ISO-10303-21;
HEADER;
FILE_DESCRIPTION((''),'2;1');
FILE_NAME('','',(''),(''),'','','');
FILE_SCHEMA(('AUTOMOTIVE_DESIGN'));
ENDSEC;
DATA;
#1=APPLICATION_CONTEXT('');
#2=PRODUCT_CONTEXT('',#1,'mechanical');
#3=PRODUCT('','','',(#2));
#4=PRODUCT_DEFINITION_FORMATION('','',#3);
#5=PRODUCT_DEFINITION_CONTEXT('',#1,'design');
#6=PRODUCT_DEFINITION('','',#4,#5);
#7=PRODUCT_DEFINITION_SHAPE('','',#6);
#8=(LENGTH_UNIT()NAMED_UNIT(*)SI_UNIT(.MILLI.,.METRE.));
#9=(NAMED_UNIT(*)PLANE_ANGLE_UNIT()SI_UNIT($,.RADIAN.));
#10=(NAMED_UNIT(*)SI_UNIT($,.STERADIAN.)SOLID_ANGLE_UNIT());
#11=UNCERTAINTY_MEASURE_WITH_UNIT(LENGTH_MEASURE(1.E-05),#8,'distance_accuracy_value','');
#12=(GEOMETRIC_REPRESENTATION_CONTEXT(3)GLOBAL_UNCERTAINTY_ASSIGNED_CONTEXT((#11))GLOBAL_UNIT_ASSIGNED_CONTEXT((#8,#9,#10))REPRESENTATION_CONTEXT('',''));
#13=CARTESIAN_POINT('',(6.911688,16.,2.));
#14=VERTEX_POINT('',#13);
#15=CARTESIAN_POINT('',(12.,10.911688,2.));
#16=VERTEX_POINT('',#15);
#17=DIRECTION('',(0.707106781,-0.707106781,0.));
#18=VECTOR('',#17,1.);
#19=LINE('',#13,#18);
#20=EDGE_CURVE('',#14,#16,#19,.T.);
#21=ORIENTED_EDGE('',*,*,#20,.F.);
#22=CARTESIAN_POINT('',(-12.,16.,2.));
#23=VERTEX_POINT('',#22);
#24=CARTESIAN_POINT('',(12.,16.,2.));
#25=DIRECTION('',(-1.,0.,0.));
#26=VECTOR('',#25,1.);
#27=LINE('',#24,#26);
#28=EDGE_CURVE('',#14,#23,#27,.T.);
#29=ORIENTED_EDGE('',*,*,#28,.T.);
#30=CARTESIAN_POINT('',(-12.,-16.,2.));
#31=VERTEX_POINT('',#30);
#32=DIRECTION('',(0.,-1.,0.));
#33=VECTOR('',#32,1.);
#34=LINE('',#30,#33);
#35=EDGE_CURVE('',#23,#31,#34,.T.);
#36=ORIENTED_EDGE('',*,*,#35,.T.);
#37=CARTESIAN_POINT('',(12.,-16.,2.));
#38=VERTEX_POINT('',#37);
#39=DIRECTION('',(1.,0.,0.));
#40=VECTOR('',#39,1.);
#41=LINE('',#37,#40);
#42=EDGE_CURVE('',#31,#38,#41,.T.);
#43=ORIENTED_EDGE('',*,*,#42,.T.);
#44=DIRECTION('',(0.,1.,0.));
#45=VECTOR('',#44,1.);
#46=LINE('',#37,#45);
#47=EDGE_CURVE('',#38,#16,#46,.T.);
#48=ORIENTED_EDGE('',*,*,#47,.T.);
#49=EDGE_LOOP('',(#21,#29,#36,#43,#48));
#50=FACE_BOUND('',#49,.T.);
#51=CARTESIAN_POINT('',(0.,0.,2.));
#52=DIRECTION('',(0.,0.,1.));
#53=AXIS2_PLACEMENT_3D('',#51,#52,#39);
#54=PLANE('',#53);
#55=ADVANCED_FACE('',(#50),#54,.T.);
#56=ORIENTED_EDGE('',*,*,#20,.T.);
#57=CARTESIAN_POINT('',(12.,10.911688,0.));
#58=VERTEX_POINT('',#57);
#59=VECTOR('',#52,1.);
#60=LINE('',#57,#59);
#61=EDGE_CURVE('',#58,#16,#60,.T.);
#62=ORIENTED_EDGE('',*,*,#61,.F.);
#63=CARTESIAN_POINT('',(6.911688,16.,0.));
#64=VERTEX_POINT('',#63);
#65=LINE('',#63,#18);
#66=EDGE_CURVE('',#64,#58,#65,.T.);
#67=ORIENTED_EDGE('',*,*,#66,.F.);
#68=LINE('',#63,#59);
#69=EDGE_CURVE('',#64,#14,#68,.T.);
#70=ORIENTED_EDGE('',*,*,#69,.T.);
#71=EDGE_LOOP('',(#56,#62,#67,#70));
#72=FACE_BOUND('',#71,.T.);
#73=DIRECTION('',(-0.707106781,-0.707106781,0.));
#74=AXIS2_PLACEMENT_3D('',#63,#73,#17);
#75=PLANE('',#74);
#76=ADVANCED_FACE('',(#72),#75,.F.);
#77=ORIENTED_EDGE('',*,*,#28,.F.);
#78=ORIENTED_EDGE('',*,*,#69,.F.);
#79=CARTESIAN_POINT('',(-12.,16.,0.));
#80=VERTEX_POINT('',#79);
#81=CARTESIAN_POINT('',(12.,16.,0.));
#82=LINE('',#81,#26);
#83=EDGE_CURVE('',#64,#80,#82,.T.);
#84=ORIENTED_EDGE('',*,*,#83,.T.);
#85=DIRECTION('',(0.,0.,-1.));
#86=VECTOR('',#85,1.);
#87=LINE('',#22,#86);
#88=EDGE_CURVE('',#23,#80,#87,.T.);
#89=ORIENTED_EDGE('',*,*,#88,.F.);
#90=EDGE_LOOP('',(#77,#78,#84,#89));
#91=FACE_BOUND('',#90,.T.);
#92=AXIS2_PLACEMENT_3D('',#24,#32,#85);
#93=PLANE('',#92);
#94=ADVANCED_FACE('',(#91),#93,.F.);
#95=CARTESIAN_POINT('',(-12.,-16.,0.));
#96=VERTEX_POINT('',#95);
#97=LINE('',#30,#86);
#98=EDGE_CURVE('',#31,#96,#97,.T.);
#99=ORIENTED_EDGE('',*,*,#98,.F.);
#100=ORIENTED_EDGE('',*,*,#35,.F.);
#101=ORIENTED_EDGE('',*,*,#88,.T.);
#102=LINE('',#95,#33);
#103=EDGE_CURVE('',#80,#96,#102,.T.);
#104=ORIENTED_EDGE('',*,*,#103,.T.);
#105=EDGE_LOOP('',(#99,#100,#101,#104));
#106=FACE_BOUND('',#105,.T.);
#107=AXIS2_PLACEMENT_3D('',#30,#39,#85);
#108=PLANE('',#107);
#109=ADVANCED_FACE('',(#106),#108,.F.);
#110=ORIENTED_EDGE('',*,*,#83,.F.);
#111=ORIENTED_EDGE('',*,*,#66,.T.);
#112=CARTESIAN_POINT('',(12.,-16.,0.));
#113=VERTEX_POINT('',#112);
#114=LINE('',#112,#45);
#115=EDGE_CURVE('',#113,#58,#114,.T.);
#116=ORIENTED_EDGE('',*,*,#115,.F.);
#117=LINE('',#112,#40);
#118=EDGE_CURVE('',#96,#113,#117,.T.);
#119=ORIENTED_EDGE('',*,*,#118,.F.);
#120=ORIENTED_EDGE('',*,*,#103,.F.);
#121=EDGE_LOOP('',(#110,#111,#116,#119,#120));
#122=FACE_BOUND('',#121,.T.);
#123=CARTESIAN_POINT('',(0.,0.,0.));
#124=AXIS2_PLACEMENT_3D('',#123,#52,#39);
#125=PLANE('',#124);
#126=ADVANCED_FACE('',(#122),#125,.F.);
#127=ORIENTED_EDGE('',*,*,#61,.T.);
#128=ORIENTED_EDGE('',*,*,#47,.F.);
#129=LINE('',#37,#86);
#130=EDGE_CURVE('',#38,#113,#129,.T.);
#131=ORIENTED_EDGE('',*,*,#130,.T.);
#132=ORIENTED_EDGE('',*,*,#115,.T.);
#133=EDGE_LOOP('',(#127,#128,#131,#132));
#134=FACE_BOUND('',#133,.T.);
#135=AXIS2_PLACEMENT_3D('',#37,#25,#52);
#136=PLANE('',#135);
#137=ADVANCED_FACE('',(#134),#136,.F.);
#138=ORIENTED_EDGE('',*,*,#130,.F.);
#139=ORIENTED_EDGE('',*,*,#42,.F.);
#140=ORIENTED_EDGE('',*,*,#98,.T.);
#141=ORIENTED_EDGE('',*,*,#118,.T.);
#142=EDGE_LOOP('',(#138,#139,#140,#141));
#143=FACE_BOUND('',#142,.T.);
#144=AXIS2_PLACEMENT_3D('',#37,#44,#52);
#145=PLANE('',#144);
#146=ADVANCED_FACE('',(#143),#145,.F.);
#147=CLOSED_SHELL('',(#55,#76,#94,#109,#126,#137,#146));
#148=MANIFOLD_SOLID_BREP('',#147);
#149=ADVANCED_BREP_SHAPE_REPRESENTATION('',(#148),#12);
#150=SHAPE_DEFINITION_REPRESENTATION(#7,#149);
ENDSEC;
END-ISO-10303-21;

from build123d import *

# Parameters (mm, degrees)
SKETCH_1_W          = 24
SKETCH_1_H          = 32
EXTRUDE_1_DEPTH     = 2
CUT_EXTRUDE_1_DEPTH = 2


with BuildPart() as part:
    # 草图1 → 凸台-拉伸1 (new body)
    with BuildSketch(Plane.XY):
        Rectangle(SKETCH_1_W, SKETCH_1_H)
    extrude(amount=EXTRUDE_1_DEPTH)

    # 草图2 → 切除-拉伸1 (cut)
    with BuildSketch(Plane.XY.offset(2)):
        Polygon((6.911688245, 16), (12, 10.911688245), (12, 16), align=None)
    extrude(amount=-CUT_EXTRUDE_1_DEPTH, mode=Mode.SUBTRACT)


solid = part.part
